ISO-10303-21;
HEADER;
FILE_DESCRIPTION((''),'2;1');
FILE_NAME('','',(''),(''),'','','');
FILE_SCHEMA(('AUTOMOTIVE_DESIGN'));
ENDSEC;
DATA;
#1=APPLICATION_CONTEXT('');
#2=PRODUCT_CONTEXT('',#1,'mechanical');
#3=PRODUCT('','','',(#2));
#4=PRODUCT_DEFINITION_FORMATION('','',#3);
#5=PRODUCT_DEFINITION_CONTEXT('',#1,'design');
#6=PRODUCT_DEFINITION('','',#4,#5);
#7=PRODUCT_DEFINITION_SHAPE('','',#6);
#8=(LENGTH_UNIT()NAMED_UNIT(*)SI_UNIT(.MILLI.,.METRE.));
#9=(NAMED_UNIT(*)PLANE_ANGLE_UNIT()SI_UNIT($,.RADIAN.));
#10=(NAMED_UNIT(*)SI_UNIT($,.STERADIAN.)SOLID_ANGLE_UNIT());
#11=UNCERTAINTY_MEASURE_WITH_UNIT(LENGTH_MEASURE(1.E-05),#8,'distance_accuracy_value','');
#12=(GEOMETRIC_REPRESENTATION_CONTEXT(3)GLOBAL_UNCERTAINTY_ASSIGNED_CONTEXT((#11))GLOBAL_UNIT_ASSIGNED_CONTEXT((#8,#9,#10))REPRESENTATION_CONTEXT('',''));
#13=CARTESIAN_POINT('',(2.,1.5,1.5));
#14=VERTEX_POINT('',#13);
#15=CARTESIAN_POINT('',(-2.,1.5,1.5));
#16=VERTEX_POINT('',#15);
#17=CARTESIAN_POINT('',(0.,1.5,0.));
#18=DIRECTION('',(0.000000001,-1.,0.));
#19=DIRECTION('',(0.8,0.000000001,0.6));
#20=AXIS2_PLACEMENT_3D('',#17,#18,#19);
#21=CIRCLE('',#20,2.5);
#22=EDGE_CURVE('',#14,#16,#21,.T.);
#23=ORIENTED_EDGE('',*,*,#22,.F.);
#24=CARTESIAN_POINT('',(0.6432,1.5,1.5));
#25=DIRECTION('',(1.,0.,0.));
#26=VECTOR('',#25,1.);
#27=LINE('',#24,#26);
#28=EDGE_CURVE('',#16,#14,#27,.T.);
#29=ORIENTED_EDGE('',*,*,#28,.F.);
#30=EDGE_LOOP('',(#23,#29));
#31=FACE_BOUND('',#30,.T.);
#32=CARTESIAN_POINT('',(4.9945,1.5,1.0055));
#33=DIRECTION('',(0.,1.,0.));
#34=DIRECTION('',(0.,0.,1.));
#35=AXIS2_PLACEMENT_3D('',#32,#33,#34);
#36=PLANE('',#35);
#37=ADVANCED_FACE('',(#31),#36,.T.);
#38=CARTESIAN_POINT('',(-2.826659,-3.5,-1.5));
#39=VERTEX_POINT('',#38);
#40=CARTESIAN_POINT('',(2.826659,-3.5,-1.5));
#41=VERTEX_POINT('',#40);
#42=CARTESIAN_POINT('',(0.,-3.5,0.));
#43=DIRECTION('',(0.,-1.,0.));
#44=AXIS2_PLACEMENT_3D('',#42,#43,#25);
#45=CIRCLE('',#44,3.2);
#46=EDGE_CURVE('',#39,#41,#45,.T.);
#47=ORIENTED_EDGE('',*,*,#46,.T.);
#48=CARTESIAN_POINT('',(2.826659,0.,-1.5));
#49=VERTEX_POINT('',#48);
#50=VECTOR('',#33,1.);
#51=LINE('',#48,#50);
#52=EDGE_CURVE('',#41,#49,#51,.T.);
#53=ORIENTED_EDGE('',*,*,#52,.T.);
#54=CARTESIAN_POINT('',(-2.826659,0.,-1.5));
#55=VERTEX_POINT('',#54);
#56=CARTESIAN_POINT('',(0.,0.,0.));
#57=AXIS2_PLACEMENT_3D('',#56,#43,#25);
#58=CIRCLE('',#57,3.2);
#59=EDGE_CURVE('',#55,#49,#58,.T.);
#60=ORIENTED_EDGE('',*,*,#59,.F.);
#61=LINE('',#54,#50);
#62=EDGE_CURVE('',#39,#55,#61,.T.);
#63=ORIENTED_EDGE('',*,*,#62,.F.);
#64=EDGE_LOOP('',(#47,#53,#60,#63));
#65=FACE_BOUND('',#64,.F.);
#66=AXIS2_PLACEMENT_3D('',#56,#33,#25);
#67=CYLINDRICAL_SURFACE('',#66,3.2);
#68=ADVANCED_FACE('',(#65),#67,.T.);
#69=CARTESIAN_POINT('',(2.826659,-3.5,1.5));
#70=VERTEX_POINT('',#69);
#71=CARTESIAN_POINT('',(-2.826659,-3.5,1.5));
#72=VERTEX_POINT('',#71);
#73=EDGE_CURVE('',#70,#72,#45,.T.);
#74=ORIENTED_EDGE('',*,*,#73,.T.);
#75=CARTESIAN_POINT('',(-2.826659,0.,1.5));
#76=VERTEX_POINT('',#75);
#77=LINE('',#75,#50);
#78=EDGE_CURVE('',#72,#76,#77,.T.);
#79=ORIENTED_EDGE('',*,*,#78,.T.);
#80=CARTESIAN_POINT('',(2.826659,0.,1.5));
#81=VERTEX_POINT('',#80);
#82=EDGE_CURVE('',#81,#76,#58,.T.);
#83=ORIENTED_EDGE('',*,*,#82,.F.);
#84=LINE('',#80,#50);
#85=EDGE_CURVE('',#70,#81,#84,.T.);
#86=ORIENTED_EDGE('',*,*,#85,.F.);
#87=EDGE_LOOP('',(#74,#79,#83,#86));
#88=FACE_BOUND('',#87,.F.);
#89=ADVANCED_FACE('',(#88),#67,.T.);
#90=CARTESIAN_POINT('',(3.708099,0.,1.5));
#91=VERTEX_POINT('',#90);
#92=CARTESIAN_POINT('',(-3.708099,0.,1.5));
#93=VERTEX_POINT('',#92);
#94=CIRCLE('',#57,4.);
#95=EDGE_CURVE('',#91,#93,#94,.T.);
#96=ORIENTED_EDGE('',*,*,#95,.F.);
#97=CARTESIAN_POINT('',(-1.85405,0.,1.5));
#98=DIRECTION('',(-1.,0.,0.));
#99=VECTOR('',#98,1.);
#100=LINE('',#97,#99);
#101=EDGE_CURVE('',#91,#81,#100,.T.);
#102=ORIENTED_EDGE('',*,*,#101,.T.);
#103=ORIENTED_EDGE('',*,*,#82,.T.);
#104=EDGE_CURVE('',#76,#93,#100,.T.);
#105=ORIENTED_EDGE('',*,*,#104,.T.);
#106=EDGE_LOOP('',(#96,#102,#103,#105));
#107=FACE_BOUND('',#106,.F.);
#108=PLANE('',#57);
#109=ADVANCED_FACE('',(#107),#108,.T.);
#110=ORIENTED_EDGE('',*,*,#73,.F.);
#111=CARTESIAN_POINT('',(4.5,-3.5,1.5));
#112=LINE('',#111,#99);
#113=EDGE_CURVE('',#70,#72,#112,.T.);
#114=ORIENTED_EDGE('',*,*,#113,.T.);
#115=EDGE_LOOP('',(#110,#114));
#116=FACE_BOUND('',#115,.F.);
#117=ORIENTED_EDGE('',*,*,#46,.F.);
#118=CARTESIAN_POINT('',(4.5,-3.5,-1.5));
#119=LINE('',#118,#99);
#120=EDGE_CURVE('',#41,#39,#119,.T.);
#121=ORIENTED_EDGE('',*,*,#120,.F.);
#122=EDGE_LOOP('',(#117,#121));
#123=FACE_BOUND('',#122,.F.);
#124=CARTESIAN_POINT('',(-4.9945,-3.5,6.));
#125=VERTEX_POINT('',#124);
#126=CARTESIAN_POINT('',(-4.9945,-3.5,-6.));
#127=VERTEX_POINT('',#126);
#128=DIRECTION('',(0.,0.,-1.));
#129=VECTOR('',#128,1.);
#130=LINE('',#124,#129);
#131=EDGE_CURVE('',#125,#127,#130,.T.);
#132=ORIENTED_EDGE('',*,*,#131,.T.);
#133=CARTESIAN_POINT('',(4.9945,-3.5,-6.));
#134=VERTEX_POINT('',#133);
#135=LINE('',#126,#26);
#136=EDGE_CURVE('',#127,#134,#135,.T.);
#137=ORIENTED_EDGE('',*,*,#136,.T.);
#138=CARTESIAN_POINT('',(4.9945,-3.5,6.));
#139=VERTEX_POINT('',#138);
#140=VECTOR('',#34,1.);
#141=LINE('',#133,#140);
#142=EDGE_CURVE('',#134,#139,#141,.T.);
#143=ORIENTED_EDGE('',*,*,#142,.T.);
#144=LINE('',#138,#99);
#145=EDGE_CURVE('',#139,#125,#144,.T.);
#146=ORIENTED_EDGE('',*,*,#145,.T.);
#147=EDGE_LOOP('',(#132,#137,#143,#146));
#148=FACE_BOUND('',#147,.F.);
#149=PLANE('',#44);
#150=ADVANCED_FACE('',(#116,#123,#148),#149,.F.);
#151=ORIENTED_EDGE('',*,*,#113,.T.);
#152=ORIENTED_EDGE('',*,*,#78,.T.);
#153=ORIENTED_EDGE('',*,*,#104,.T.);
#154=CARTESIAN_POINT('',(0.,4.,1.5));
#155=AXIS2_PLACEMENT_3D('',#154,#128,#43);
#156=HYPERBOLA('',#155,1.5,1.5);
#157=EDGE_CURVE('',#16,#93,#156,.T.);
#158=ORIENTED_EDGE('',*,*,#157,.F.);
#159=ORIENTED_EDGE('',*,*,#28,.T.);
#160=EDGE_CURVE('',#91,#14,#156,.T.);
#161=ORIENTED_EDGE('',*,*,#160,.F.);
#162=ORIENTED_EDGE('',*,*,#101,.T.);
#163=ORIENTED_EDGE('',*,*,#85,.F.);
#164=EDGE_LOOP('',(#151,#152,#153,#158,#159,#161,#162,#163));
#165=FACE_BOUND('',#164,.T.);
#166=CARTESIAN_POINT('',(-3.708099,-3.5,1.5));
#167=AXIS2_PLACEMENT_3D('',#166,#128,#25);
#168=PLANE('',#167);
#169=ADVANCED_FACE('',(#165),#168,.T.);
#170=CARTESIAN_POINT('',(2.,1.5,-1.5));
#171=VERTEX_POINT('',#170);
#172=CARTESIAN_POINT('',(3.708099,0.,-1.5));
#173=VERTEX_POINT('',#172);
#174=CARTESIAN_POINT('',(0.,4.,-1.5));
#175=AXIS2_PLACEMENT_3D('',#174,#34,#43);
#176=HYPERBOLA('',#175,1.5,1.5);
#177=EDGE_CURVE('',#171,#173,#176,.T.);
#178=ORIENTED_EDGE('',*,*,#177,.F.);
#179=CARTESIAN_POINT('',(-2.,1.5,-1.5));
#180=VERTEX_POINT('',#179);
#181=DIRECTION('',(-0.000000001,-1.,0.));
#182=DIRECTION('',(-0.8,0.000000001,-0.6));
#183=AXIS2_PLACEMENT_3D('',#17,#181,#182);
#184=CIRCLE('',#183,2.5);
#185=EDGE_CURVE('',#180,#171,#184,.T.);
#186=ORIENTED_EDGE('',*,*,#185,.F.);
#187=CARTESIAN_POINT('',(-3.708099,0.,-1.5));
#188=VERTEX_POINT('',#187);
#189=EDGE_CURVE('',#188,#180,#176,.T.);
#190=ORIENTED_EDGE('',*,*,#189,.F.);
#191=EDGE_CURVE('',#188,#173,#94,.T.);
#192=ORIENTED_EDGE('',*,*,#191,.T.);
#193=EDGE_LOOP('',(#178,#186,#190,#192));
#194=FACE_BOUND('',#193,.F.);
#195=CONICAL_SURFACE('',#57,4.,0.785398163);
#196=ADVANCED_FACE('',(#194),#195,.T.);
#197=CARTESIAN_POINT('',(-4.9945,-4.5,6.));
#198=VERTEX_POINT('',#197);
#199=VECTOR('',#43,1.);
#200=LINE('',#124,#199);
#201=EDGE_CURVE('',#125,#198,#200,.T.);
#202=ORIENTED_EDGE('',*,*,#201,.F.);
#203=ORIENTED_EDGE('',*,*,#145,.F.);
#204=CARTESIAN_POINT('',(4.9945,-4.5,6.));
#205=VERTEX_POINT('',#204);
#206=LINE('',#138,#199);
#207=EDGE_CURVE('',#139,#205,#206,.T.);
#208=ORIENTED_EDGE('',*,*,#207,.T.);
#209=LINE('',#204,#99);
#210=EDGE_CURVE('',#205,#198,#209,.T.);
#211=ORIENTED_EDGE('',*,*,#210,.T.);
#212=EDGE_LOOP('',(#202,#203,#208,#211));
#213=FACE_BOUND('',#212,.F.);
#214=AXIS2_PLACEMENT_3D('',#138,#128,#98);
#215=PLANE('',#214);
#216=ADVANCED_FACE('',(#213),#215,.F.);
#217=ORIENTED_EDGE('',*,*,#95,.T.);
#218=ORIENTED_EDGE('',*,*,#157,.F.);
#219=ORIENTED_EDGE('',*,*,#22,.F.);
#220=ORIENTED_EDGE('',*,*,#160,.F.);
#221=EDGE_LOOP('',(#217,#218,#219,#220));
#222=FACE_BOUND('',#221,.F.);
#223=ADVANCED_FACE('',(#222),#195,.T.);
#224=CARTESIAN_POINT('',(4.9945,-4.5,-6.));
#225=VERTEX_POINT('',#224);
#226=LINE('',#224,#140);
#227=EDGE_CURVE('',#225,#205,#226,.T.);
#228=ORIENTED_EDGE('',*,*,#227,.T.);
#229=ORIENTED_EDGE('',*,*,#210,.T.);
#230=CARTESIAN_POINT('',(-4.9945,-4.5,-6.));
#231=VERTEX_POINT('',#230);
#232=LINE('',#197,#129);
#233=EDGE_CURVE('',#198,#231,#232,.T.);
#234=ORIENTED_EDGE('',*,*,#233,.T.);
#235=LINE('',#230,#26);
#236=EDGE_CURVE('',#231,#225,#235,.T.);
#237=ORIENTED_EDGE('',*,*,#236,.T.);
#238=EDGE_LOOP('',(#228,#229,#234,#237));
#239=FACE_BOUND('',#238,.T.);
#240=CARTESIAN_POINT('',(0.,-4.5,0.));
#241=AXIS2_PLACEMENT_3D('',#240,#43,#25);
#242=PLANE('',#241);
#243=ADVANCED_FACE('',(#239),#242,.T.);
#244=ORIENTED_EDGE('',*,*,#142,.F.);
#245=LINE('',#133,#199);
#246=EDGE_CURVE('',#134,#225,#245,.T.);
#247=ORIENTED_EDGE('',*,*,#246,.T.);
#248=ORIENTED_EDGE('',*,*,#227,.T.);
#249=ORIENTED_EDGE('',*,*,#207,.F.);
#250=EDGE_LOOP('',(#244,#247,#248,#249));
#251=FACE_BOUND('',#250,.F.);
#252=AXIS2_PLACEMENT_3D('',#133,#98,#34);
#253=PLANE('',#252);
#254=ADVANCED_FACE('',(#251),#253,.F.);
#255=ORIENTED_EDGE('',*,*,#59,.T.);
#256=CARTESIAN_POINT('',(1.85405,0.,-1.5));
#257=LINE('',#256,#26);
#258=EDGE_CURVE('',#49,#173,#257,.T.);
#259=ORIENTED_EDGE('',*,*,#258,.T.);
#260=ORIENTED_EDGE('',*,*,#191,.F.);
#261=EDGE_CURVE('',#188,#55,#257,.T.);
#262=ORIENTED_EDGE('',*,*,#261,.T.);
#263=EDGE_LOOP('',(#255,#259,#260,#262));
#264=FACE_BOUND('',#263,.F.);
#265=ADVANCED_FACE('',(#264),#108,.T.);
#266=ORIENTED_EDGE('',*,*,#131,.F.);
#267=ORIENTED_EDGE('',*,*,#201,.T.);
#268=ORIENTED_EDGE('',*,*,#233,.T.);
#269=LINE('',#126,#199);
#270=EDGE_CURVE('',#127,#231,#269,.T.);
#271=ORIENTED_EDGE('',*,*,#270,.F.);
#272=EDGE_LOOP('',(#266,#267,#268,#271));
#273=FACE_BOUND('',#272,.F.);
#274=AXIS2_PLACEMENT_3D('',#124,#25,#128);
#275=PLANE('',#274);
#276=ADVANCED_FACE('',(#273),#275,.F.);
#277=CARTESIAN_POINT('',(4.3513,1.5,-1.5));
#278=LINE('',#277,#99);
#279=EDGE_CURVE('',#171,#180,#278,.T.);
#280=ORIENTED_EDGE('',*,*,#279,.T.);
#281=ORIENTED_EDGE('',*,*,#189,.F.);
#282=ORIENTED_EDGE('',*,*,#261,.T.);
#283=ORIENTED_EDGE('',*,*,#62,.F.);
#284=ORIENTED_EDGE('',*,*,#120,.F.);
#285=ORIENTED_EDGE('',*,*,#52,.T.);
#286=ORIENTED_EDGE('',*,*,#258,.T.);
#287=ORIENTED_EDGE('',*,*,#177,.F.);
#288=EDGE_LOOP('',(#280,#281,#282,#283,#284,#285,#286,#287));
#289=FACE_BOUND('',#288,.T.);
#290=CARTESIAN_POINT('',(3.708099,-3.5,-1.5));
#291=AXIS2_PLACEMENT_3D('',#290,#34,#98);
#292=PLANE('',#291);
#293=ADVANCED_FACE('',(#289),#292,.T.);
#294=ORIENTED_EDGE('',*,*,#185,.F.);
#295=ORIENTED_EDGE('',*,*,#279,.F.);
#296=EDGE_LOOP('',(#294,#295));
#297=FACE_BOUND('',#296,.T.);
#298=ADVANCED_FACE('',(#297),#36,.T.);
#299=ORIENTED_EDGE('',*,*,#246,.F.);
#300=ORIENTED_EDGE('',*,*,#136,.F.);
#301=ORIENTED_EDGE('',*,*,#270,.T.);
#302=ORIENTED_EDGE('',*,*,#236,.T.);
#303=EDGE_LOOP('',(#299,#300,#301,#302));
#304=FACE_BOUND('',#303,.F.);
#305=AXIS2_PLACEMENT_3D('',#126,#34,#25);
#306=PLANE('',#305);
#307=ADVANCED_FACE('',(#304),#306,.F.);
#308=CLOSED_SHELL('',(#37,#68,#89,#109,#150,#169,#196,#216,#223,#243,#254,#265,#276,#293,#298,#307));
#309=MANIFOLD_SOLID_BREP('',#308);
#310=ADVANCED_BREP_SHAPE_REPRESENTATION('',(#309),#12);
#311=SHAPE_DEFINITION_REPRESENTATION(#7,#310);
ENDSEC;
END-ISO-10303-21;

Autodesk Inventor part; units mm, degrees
ref_plane "YZ Plane" through (0, 0, 0) normal (1, 0, 0) x (0, 1, 0)
ref_plane "XZ Plane" through (0, 0, 0) normal (0, 1, 0) x (-1, 0, 0)
ref_plane "XY Plane" through (0, 0, 0) normal (0, 0, 1) x (1, 0, 0)
sketch "Sketch1" plane through (0, 0, 0) normal (0, 0, 1) x (1, 0, 0)
  line L0 (0, 4) -> (0, 0)
  line L1 (0, 0) -> (4, 0)
  line L2 (4, 0) -> (0, 4)
  dimension "d45" = 4
  dimension "d46" = 4
revolve "Revolution1" add sketch "Sketch1" angle 360 about axis through (0, 4, 0) along (0, -1, 0)
sketch "Sketch2" plane through (0, 0, 0) normal (0, -1, 0) x (1, 0, 0)
  circle A0 centre (0, 0) radius 3.2
  point P0 (0, 0)
  dimension "d3" = 6.4
extrude "Extrusion1" add sketch "Sketch2" along normal blind 3.5
sketch "Sketch3" plane through (0, -3.5, 0) normal (0, -1, 0) x (1, 0, 0)
  circle A0 centre (0, 0) radius 4 projected
  line L0 (-4.5, 1.5) -> (4.5, 1.5)
  line L1 (4.5, 1.5) -> (4.5, -1.5)
  line L2 (4.5, -1.5) -> (-4.5, -1.5)
  line L3 (-4.5, -1.5) -> (-4.5, 1.5)
  point P0 (0, 0)
  point P1 (0, 1.5)
  point P2 (4.5, 0)
  dimension "d27" = 0.5
  dimension "d28" = 3
extrude "Extrusion2" cut sketch "Sketch3" against normal through all contours A0 L2 L0 | A0 L0 L1 L2 | A0 L2 L3 L0
sketch "Sketch4" plane through (0, -3.5, 0) normal (0, -1, 0) x (1, 0, 0)
  line L0 (4.9945, 6) -> (-4.9945, 6)
  line L1 (-4.9945, 6) -> (-4.9945, -6)
  line L2 (-4.9945, -6) -> (4.9945, -6)
  line L3 (4.9945, -6) -> (4.9945, 6)
  arc A0 (-1.5, 3.7021) -> (-1.5, -3.7021) centre (0, 0) ccw projected
  arc A1 (-1.5, 3.4857) -> (-1.5, -3.4857) centre (0, 0) ccw projected
  line L4 (-1.5, 3.4857) -> (-1.5, 3.7021) projected
  line L5 (-1.5, -3.7021) -> (-1.5, -3.4857) projected
  arc A2 (-3.7081, -1.5) -> (3.7081, -1.5) centre (0, 0) ccw projected
  point P0 (4.9945, 0)
  point P1 (0, -6)
  point P2 (4.7697, 1.5)
  point P3 (-4.7697, 1.5)
  dimension "d18" = 1
  dimension "d42" = 1
extrude "Extrusion3" add sketch "Sketch4" along normal blind 1 contours L3 L2 L1 L0 | L4 A1 L5 A0
sketch "Sketch9" plane through (4.9945, -3.5, 6) normal (1, 0, 0) x (0, 0, -1)
  line L0 (3.5, 6) -> (8.5, 6)
  line L1 (8.5, 6) -> (8.5, 5)
  line L2 (8.5, 5) -> (3.5, 5)
  line L3 (3.5, 5) -> (3.5, 6)
  line L4 (4.5, 6) -> (2, 3.5) projected
  line L5 (4.9945, 3.5) -> (4.9945, 6) projected
  line L6 (4.9945, 3.5) -> (4.9945, 2.5) projected
  line L7 (7.5, 6) -> (10, 3.5) projected
  point P0 (6, 3.5)
  point P1 (4.5, 3.5)
  point P2 (7.5, 3.5)
  point P3 (10, 3.5)
  dimension "d47" = 1
extrude "Extrusion8" cut sketch "Sketch9" against normal through all
equation "\"d46\" = d45"
equation "\"d27\" = d22"
equation "\"d28\" = d19"
equation "\"d42\" = d18"
equation "\"d22\" = 0.5"
equation "\"d19\" = 3"
properties part number "Snap"
